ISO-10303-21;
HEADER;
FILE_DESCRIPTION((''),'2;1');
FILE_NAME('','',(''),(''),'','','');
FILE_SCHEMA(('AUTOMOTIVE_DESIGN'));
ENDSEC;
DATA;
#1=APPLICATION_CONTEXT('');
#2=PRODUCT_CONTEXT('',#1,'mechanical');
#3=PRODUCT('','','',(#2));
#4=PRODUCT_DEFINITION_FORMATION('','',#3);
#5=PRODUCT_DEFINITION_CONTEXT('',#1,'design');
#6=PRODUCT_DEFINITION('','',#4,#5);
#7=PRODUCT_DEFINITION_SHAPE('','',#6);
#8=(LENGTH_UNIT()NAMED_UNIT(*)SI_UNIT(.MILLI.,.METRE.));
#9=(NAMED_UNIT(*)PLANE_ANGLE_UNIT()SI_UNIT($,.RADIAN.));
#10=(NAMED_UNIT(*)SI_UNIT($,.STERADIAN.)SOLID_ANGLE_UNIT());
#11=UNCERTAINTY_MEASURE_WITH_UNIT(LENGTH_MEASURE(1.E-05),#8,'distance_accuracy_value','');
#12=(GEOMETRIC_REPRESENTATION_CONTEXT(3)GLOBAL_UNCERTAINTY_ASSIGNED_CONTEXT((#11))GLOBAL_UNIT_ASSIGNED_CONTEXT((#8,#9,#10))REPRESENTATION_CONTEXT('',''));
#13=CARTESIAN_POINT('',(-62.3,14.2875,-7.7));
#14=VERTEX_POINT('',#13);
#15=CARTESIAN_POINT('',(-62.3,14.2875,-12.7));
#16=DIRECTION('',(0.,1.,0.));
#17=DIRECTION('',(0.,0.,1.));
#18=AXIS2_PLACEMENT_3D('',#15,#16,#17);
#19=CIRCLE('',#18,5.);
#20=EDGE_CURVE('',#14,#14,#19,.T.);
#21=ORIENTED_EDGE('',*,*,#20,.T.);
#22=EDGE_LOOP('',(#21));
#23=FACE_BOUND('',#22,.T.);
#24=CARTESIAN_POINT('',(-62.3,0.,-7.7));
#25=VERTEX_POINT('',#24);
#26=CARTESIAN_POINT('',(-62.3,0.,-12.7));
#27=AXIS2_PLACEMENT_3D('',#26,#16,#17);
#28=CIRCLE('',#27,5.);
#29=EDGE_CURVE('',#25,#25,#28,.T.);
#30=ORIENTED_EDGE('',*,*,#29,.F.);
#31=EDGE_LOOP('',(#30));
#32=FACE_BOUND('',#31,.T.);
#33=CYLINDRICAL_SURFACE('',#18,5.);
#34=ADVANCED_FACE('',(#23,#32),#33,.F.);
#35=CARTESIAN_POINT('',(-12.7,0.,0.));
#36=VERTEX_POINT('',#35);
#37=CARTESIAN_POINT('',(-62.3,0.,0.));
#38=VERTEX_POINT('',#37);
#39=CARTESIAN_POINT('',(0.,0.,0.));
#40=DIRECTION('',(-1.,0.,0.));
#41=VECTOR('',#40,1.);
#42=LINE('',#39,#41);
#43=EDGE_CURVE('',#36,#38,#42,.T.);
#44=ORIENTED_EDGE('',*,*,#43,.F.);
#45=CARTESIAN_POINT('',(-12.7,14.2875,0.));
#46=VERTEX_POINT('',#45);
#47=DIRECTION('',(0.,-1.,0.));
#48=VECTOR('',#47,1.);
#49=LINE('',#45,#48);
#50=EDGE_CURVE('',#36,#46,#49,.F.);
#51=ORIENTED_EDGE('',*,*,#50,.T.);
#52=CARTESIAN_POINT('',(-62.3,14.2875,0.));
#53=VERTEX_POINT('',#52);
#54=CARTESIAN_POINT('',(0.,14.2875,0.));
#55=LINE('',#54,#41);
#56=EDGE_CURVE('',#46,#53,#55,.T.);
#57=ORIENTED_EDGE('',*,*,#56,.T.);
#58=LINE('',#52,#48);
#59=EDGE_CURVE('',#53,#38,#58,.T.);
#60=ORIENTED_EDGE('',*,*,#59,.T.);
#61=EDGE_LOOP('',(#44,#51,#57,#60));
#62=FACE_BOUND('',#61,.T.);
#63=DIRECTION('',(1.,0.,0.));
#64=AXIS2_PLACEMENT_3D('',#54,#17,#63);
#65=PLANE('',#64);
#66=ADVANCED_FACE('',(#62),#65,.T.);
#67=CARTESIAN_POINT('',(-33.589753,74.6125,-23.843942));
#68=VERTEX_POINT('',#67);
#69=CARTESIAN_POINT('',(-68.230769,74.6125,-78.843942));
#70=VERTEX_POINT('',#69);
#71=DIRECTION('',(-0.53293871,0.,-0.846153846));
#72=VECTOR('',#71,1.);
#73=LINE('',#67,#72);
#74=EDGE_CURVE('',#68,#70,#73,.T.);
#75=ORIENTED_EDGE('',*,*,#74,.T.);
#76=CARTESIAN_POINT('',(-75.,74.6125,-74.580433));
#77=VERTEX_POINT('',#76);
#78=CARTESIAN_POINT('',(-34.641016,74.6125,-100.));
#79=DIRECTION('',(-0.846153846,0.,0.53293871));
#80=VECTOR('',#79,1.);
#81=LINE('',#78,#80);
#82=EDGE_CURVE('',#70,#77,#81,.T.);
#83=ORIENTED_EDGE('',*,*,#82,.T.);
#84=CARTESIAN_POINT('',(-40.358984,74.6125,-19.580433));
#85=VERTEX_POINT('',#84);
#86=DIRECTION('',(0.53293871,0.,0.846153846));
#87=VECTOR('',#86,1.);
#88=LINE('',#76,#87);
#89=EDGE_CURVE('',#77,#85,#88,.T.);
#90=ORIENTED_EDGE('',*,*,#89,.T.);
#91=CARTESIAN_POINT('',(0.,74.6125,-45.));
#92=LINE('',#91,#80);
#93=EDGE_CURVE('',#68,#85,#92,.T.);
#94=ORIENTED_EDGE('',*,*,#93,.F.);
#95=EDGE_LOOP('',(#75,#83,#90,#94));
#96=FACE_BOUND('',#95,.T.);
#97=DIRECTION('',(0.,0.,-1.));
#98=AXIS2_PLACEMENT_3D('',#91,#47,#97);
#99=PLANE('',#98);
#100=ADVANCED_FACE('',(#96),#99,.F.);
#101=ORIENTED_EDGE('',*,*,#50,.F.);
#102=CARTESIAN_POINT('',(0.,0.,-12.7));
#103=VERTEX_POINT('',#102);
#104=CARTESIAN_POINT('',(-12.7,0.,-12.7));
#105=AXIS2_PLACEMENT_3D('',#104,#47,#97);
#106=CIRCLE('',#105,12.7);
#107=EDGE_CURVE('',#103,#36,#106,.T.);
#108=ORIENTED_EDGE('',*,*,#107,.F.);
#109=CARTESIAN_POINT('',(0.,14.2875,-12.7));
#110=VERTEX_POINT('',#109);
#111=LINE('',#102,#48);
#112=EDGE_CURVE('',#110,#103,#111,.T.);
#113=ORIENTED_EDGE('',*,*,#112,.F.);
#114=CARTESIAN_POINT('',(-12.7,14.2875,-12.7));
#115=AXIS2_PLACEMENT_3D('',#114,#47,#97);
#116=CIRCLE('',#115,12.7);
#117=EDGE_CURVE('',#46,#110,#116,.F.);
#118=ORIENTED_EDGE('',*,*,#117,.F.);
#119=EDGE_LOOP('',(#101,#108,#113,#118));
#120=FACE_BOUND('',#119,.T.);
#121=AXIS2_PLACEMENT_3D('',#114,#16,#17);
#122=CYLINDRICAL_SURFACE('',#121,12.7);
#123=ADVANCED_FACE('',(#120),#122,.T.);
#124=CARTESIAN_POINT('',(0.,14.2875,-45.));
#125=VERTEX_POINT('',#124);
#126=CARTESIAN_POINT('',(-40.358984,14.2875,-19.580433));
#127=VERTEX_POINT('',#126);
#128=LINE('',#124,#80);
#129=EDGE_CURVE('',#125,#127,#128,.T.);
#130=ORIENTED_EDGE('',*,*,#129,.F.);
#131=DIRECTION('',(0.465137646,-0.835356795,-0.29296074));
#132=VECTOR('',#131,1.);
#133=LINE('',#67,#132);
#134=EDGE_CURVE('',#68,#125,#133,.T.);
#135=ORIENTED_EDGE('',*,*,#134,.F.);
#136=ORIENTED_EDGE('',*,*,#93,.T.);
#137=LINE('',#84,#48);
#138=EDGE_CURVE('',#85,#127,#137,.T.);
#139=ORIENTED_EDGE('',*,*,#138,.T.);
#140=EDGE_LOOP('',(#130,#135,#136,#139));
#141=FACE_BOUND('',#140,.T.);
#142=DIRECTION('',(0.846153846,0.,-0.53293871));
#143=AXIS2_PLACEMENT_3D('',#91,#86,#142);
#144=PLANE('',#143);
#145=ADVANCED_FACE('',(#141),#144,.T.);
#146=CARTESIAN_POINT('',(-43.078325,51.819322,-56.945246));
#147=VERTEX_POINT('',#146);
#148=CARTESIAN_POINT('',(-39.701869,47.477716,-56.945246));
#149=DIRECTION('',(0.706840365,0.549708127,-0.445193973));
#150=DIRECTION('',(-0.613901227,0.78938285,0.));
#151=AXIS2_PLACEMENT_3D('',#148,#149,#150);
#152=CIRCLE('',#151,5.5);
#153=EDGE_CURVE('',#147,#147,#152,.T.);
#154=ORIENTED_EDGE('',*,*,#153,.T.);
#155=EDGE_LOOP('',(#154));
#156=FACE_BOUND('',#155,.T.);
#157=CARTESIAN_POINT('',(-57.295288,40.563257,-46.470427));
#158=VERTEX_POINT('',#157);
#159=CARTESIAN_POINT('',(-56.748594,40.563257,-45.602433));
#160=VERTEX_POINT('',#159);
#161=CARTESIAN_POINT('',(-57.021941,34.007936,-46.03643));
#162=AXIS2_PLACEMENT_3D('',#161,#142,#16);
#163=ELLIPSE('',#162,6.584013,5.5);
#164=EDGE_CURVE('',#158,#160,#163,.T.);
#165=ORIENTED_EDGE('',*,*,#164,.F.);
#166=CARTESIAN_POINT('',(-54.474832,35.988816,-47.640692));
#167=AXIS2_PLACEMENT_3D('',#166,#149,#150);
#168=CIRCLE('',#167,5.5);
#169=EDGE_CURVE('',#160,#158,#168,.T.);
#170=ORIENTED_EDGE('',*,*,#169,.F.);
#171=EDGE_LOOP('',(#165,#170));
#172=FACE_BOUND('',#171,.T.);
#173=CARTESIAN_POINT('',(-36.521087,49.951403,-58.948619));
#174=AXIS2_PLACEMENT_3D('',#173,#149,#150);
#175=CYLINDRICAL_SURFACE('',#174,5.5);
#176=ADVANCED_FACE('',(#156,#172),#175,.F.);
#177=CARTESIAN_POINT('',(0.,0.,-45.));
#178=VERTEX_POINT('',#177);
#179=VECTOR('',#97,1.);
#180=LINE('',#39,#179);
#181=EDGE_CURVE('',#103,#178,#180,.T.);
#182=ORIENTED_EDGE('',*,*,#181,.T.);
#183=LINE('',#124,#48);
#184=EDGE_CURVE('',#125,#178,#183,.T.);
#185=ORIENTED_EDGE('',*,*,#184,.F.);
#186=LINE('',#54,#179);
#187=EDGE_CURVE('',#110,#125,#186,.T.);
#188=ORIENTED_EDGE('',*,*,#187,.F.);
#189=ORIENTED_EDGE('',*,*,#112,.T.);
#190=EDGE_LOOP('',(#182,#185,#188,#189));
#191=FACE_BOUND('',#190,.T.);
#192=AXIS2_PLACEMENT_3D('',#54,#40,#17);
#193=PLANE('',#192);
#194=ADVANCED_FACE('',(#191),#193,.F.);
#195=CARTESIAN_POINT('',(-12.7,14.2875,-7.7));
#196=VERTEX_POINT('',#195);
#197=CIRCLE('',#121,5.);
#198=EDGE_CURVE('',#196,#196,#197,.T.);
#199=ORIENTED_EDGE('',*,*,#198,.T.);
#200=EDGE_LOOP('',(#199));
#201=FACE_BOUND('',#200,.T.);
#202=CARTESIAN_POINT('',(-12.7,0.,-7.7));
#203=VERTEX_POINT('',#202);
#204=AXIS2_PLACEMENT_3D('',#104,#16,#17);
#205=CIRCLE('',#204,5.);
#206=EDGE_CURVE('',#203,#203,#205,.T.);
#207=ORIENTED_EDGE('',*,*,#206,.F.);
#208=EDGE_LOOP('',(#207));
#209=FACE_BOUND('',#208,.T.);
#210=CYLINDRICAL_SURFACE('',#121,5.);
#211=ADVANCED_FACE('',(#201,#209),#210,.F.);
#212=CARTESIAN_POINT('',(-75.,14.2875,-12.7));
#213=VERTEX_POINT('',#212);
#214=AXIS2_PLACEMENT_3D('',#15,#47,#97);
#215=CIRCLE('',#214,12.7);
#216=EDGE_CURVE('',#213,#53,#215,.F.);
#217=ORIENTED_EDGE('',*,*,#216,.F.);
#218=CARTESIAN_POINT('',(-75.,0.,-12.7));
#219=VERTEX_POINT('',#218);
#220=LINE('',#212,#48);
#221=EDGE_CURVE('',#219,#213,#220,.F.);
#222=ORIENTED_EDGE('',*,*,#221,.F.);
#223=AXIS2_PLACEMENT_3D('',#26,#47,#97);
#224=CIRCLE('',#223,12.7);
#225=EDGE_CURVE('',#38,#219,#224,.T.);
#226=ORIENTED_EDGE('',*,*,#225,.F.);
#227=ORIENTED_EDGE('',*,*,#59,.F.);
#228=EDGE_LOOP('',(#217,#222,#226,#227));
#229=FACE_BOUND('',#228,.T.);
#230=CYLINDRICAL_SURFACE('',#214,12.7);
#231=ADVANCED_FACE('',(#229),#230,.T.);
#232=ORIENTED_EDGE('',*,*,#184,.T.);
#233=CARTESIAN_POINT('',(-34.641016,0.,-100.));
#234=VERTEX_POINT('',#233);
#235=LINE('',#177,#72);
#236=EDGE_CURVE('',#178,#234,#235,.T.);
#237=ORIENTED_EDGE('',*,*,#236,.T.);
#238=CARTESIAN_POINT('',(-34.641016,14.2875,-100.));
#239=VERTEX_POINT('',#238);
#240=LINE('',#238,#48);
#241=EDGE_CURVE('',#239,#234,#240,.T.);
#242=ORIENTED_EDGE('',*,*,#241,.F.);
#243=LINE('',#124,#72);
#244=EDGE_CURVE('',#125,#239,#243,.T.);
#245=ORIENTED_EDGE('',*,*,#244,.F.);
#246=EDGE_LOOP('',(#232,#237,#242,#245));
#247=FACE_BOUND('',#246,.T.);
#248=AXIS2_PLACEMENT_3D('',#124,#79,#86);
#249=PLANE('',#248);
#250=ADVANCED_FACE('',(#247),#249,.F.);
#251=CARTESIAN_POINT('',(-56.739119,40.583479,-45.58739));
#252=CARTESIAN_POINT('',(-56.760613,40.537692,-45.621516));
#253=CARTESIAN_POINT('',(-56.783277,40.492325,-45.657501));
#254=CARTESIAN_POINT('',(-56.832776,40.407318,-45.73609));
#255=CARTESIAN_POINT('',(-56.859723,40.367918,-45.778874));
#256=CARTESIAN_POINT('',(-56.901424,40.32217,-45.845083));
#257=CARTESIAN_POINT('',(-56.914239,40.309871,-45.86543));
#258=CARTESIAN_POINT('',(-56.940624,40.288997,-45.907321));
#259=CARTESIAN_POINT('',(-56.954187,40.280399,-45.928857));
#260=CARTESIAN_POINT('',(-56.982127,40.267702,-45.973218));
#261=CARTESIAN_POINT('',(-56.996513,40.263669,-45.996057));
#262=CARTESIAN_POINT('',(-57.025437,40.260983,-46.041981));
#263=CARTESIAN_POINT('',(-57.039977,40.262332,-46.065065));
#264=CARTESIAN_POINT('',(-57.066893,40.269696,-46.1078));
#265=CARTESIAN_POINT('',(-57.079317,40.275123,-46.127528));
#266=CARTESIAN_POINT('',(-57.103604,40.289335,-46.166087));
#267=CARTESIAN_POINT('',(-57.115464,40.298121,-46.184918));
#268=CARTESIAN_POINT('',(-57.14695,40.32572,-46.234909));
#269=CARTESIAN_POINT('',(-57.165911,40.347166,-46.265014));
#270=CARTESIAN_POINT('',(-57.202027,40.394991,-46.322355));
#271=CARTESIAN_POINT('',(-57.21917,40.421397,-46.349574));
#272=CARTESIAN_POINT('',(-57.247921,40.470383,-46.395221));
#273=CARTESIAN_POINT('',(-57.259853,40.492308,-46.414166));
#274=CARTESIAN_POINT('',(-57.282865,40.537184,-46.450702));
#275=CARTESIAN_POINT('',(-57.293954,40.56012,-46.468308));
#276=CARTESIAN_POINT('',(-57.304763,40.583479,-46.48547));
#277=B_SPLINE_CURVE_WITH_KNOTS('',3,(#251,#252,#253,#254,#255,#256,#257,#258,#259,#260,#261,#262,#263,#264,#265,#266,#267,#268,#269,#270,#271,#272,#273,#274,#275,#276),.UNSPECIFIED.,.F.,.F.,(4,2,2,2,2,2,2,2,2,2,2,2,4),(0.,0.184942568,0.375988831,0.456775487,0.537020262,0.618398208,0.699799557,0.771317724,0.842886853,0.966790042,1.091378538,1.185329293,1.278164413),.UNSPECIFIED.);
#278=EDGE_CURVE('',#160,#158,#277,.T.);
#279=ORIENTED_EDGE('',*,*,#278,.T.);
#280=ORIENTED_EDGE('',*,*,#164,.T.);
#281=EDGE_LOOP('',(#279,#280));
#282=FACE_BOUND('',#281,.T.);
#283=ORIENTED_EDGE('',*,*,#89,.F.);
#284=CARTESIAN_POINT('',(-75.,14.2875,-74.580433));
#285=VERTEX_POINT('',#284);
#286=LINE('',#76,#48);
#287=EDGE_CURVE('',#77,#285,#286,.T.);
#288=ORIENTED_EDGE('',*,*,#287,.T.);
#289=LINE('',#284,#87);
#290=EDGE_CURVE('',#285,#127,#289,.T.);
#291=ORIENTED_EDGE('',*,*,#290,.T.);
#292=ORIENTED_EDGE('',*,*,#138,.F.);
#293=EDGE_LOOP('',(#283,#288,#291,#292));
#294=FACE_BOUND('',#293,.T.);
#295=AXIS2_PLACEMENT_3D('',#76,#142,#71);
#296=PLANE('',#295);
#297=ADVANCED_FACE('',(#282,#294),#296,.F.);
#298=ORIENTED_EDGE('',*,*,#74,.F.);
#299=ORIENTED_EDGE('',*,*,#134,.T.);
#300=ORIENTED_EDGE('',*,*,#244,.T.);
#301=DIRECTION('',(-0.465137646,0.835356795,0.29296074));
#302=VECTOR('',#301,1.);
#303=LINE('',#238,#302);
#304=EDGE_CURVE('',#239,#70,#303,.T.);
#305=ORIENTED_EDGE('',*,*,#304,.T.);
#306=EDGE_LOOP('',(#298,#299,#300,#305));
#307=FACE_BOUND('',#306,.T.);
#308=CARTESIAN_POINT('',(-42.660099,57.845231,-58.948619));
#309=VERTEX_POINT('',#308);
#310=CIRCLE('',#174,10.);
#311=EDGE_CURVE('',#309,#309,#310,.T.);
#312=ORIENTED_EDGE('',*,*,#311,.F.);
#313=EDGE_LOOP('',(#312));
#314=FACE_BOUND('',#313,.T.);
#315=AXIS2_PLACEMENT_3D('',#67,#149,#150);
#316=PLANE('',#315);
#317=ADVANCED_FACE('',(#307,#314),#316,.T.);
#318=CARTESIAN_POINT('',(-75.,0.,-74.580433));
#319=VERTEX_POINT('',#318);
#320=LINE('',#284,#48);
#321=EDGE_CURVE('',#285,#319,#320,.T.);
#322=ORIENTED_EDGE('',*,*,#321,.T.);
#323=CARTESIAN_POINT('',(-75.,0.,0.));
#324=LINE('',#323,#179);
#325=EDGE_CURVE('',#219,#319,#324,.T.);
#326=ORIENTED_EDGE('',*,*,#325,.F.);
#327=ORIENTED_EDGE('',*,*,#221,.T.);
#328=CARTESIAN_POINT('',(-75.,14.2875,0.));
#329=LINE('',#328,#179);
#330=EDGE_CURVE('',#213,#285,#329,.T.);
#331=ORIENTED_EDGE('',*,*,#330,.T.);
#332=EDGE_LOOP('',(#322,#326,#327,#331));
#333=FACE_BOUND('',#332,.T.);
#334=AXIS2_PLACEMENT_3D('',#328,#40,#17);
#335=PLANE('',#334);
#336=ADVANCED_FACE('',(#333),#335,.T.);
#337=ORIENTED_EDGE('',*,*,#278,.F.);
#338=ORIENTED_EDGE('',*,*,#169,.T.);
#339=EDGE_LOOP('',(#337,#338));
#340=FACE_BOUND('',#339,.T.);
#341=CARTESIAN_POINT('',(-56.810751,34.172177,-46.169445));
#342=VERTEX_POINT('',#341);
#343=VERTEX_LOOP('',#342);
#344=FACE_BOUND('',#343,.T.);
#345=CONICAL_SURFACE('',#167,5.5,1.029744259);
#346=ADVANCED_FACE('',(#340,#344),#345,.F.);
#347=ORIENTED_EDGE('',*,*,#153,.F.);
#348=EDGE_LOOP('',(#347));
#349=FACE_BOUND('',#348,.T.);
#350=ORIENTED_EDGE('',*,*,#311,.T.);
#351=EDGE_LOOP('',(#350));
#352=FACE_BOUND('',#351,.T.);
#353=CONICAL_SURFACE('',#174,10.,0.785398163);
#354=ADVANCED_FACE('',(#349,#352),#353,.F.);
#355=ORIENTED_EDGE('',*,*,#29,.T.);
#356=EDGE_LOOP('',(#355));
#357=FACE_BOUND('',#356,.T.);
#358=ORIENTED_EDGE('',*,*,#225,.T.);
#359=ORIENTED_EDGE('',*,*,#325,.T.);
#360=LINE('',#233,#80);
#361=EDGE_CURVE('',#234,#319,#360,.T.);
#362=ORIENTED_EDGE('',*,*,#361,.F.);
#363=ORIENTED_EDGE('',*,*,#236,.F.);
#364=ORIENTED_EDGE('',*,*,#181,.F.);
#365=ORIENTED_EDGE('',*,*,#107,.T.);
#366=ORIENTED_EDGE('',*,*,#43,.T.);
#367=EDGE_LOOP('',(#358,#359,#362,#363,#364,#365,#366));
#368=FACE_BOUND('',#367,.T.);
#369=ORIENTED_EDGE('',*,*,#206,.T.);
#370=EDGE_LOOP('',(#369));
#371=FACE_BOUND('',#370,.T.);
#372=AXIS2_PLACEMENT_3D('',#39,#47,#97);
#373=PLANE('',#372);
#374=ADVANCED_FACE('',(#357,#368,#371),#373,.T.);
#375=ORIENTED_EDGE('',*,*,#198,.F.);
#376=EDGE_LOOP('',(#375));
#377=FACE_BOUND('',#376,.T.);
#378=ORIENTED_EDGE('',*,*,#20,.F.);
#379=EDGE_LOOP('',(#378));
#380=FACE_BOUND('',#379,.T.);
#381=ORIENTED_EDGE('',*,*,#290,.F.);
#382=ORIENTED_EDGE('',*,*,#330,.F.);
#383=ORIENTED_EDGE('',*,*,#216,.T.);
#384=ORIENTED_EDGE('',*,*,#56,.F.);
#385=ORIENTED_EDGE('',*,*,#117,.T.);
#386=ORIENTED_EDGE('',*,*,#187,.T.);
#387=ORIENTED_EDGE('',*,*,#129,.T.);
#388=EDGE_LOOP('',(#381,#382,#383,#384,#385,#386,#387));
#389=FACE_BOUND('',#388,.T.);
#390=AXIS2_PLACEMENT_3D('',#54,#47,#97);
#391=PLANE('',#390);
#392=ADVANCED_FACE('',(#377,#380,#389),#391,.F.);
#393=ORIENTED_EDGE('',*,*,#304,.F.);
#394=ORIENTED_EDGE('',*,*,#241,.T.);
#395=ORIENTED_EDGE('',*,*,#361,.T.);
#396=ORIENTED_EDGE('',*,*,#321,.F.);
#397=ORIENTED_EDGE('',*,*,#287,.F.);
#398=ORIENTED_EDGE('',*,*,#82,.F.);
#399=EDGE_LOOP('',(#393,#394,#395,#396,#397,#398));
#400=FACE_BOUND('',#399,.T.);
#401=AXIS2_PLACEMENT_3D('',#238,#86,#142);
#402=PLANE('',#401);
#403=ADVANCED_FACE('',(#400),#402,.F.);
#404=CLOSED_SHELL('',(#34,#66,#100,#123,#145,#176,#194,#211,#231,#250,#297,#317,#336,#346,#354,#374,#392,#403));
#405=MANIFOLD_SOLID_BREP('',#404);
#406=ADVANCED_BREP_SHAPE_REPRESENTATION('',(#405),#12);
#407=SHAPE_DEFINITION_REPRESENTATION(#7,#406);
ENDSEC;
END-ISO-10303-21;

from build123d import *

# Parameters (mm, degrees)
BASE_EXTRUDE_DEPTH                               = 14.2875
BOSS_EXTRUDE1_DEPTH                              = 60.325
CUT_EXTRUDE1_DEPTH                               = 115.691718555
CSK_FOR_M10_FLAT_HEAD_MACHINE_SCREW1_D           = 11
CSK_FOR_M10_FLAT_HEAD_MACHINE_SCREW1_DEPTH       = 25.4
CSK_FOR_M10_FLAT_HEAD_MACHINE_SCREW1_CSINK_D     = 20
CSK_FOR_M10_FLAT_HEAD_MACHINE_SCREW1_CSINK_ANGLE = 90
CSK_FOR_M10_FLAT_HEAD_MACHINE_SCREW1_TIP         = 3.304733405
FILLET1_R                                        = 12.7
F_10_0_10_DIAMETER_HOLE1_D                       = 10


with BuildPart() as part:
    # Sketch1 → Base-Extrude (new body)
    with BuildSketch(Plane(origin=(0, 0, 0), x_dir=(1, 0, 0), z_dir=(0, 1, 0))):
        Polygon((0, 0), (0, 45), (-34.641016151, 100), (-75, 74.580432521), (-75, 0), align=None)
    extrude(amount=BASE_EXTRUDE_DEPTH)

    # Sketch2 → Boss-Extrude1 (add)
    with BuildSketch(Plane(origin=(0, 14.2875, 0), x_dir=(-1, 0, 0), z_dir=(0, 1, 0))):
        Polygon((34.641016151, -100), (75, -74.580432521), (40.358983849, -19.580432521), (0, -45), align=None)
    extrude(amount=BOSS_EXTRUDE1_DEPTH)

    # Sketch3 → Cut-Extrude1 (cut, through all)
    with BuildSketch(Plane(origin=(-20.292666266, 0, -32.218934911), x_dir=(0.846153846153846, 0, -0.5329387100211933), z_dir=(0.5329387100211932, 0, 0.8461538461538459))):
        Polygon((-138.006469686, 260.451535778), (-15.714738961, 74.6125), (23.982241951, 14.2875), (146.273972676, -171.551535778), (517.952044233, 73.031925672), (233.67160187, 505.034997229), align=None)
    extrude(amount=-CUT_EXTRUDE1_DEPTH, mode=Mode.SUBTRACT)

    # CSK for M10 Flat Head Machine Screw1
    with Locations(Plane(origin=(19.712140487, 15.330086336, -12.415428673), x_dir=(-0.36778462315379085, -0.25201220679427455, -0.8951113442462362), z_dir=(0.7068403651551289, 0.549708126864638, -0.4451939728324442))):
        with Locations((53.6091088, 60.43353944)):
            CounterSinkHole(CSK_FOR_M10_FLAT_HEAD_MACHINE_SCREW1_D / 2, CSK_FOR_M10_FLAT_HEAD_MACHINE_SCREW1_CSINK_D / 2, depth=CSK_FOR_M10_FLAT_HEAD_MACHINE_SCREW1_DEPTH, counter_sink_angle=CSK_FOR_M10_FLAT_HEAD_MACHINE_SCREW1_CSINK_ANGLE)
            with Locations((0, 0, -(CSK_FOR_M10_FLAT_HEAD_MACHINE_SCREW1_DEPTH + CSK_FOR_M10_FLAT_HEAD_MACHINE_SCREW1_TIP / 2))):  # 118° drill point
                Cone(0, CSK_FOR_M10_FLAT_HEAD_MACHINE_SCREW1_D / 2, CSK_FOR_M10_FLAT_HEAD_MACHINE_SCREW1_TIP, mode=Mode.SUBTRACT)

    # Fillet1
    fillet1_edges = [part.edges().sort_by_distance(p)[0] for p in [
        (0, 7.14375, 0),
        (-75, 7.14375, 0),
    ]]
    fillet(fillet1_edges, radius=FILLET1_R)

    # Ø10.0 (10) Diameter Hole1 (through all)
    with Locations(Plane(origin=(0, 14.2875, 0), x_dir=(-1, 0, 0), z_dir=(0, 1, 0))):
        with Locations((12.7, -12.7), (62.3, -12.7)):
            Hole(F_10_0_10_DIAMETER_HOLE1_D / 2)


solid = part.part
